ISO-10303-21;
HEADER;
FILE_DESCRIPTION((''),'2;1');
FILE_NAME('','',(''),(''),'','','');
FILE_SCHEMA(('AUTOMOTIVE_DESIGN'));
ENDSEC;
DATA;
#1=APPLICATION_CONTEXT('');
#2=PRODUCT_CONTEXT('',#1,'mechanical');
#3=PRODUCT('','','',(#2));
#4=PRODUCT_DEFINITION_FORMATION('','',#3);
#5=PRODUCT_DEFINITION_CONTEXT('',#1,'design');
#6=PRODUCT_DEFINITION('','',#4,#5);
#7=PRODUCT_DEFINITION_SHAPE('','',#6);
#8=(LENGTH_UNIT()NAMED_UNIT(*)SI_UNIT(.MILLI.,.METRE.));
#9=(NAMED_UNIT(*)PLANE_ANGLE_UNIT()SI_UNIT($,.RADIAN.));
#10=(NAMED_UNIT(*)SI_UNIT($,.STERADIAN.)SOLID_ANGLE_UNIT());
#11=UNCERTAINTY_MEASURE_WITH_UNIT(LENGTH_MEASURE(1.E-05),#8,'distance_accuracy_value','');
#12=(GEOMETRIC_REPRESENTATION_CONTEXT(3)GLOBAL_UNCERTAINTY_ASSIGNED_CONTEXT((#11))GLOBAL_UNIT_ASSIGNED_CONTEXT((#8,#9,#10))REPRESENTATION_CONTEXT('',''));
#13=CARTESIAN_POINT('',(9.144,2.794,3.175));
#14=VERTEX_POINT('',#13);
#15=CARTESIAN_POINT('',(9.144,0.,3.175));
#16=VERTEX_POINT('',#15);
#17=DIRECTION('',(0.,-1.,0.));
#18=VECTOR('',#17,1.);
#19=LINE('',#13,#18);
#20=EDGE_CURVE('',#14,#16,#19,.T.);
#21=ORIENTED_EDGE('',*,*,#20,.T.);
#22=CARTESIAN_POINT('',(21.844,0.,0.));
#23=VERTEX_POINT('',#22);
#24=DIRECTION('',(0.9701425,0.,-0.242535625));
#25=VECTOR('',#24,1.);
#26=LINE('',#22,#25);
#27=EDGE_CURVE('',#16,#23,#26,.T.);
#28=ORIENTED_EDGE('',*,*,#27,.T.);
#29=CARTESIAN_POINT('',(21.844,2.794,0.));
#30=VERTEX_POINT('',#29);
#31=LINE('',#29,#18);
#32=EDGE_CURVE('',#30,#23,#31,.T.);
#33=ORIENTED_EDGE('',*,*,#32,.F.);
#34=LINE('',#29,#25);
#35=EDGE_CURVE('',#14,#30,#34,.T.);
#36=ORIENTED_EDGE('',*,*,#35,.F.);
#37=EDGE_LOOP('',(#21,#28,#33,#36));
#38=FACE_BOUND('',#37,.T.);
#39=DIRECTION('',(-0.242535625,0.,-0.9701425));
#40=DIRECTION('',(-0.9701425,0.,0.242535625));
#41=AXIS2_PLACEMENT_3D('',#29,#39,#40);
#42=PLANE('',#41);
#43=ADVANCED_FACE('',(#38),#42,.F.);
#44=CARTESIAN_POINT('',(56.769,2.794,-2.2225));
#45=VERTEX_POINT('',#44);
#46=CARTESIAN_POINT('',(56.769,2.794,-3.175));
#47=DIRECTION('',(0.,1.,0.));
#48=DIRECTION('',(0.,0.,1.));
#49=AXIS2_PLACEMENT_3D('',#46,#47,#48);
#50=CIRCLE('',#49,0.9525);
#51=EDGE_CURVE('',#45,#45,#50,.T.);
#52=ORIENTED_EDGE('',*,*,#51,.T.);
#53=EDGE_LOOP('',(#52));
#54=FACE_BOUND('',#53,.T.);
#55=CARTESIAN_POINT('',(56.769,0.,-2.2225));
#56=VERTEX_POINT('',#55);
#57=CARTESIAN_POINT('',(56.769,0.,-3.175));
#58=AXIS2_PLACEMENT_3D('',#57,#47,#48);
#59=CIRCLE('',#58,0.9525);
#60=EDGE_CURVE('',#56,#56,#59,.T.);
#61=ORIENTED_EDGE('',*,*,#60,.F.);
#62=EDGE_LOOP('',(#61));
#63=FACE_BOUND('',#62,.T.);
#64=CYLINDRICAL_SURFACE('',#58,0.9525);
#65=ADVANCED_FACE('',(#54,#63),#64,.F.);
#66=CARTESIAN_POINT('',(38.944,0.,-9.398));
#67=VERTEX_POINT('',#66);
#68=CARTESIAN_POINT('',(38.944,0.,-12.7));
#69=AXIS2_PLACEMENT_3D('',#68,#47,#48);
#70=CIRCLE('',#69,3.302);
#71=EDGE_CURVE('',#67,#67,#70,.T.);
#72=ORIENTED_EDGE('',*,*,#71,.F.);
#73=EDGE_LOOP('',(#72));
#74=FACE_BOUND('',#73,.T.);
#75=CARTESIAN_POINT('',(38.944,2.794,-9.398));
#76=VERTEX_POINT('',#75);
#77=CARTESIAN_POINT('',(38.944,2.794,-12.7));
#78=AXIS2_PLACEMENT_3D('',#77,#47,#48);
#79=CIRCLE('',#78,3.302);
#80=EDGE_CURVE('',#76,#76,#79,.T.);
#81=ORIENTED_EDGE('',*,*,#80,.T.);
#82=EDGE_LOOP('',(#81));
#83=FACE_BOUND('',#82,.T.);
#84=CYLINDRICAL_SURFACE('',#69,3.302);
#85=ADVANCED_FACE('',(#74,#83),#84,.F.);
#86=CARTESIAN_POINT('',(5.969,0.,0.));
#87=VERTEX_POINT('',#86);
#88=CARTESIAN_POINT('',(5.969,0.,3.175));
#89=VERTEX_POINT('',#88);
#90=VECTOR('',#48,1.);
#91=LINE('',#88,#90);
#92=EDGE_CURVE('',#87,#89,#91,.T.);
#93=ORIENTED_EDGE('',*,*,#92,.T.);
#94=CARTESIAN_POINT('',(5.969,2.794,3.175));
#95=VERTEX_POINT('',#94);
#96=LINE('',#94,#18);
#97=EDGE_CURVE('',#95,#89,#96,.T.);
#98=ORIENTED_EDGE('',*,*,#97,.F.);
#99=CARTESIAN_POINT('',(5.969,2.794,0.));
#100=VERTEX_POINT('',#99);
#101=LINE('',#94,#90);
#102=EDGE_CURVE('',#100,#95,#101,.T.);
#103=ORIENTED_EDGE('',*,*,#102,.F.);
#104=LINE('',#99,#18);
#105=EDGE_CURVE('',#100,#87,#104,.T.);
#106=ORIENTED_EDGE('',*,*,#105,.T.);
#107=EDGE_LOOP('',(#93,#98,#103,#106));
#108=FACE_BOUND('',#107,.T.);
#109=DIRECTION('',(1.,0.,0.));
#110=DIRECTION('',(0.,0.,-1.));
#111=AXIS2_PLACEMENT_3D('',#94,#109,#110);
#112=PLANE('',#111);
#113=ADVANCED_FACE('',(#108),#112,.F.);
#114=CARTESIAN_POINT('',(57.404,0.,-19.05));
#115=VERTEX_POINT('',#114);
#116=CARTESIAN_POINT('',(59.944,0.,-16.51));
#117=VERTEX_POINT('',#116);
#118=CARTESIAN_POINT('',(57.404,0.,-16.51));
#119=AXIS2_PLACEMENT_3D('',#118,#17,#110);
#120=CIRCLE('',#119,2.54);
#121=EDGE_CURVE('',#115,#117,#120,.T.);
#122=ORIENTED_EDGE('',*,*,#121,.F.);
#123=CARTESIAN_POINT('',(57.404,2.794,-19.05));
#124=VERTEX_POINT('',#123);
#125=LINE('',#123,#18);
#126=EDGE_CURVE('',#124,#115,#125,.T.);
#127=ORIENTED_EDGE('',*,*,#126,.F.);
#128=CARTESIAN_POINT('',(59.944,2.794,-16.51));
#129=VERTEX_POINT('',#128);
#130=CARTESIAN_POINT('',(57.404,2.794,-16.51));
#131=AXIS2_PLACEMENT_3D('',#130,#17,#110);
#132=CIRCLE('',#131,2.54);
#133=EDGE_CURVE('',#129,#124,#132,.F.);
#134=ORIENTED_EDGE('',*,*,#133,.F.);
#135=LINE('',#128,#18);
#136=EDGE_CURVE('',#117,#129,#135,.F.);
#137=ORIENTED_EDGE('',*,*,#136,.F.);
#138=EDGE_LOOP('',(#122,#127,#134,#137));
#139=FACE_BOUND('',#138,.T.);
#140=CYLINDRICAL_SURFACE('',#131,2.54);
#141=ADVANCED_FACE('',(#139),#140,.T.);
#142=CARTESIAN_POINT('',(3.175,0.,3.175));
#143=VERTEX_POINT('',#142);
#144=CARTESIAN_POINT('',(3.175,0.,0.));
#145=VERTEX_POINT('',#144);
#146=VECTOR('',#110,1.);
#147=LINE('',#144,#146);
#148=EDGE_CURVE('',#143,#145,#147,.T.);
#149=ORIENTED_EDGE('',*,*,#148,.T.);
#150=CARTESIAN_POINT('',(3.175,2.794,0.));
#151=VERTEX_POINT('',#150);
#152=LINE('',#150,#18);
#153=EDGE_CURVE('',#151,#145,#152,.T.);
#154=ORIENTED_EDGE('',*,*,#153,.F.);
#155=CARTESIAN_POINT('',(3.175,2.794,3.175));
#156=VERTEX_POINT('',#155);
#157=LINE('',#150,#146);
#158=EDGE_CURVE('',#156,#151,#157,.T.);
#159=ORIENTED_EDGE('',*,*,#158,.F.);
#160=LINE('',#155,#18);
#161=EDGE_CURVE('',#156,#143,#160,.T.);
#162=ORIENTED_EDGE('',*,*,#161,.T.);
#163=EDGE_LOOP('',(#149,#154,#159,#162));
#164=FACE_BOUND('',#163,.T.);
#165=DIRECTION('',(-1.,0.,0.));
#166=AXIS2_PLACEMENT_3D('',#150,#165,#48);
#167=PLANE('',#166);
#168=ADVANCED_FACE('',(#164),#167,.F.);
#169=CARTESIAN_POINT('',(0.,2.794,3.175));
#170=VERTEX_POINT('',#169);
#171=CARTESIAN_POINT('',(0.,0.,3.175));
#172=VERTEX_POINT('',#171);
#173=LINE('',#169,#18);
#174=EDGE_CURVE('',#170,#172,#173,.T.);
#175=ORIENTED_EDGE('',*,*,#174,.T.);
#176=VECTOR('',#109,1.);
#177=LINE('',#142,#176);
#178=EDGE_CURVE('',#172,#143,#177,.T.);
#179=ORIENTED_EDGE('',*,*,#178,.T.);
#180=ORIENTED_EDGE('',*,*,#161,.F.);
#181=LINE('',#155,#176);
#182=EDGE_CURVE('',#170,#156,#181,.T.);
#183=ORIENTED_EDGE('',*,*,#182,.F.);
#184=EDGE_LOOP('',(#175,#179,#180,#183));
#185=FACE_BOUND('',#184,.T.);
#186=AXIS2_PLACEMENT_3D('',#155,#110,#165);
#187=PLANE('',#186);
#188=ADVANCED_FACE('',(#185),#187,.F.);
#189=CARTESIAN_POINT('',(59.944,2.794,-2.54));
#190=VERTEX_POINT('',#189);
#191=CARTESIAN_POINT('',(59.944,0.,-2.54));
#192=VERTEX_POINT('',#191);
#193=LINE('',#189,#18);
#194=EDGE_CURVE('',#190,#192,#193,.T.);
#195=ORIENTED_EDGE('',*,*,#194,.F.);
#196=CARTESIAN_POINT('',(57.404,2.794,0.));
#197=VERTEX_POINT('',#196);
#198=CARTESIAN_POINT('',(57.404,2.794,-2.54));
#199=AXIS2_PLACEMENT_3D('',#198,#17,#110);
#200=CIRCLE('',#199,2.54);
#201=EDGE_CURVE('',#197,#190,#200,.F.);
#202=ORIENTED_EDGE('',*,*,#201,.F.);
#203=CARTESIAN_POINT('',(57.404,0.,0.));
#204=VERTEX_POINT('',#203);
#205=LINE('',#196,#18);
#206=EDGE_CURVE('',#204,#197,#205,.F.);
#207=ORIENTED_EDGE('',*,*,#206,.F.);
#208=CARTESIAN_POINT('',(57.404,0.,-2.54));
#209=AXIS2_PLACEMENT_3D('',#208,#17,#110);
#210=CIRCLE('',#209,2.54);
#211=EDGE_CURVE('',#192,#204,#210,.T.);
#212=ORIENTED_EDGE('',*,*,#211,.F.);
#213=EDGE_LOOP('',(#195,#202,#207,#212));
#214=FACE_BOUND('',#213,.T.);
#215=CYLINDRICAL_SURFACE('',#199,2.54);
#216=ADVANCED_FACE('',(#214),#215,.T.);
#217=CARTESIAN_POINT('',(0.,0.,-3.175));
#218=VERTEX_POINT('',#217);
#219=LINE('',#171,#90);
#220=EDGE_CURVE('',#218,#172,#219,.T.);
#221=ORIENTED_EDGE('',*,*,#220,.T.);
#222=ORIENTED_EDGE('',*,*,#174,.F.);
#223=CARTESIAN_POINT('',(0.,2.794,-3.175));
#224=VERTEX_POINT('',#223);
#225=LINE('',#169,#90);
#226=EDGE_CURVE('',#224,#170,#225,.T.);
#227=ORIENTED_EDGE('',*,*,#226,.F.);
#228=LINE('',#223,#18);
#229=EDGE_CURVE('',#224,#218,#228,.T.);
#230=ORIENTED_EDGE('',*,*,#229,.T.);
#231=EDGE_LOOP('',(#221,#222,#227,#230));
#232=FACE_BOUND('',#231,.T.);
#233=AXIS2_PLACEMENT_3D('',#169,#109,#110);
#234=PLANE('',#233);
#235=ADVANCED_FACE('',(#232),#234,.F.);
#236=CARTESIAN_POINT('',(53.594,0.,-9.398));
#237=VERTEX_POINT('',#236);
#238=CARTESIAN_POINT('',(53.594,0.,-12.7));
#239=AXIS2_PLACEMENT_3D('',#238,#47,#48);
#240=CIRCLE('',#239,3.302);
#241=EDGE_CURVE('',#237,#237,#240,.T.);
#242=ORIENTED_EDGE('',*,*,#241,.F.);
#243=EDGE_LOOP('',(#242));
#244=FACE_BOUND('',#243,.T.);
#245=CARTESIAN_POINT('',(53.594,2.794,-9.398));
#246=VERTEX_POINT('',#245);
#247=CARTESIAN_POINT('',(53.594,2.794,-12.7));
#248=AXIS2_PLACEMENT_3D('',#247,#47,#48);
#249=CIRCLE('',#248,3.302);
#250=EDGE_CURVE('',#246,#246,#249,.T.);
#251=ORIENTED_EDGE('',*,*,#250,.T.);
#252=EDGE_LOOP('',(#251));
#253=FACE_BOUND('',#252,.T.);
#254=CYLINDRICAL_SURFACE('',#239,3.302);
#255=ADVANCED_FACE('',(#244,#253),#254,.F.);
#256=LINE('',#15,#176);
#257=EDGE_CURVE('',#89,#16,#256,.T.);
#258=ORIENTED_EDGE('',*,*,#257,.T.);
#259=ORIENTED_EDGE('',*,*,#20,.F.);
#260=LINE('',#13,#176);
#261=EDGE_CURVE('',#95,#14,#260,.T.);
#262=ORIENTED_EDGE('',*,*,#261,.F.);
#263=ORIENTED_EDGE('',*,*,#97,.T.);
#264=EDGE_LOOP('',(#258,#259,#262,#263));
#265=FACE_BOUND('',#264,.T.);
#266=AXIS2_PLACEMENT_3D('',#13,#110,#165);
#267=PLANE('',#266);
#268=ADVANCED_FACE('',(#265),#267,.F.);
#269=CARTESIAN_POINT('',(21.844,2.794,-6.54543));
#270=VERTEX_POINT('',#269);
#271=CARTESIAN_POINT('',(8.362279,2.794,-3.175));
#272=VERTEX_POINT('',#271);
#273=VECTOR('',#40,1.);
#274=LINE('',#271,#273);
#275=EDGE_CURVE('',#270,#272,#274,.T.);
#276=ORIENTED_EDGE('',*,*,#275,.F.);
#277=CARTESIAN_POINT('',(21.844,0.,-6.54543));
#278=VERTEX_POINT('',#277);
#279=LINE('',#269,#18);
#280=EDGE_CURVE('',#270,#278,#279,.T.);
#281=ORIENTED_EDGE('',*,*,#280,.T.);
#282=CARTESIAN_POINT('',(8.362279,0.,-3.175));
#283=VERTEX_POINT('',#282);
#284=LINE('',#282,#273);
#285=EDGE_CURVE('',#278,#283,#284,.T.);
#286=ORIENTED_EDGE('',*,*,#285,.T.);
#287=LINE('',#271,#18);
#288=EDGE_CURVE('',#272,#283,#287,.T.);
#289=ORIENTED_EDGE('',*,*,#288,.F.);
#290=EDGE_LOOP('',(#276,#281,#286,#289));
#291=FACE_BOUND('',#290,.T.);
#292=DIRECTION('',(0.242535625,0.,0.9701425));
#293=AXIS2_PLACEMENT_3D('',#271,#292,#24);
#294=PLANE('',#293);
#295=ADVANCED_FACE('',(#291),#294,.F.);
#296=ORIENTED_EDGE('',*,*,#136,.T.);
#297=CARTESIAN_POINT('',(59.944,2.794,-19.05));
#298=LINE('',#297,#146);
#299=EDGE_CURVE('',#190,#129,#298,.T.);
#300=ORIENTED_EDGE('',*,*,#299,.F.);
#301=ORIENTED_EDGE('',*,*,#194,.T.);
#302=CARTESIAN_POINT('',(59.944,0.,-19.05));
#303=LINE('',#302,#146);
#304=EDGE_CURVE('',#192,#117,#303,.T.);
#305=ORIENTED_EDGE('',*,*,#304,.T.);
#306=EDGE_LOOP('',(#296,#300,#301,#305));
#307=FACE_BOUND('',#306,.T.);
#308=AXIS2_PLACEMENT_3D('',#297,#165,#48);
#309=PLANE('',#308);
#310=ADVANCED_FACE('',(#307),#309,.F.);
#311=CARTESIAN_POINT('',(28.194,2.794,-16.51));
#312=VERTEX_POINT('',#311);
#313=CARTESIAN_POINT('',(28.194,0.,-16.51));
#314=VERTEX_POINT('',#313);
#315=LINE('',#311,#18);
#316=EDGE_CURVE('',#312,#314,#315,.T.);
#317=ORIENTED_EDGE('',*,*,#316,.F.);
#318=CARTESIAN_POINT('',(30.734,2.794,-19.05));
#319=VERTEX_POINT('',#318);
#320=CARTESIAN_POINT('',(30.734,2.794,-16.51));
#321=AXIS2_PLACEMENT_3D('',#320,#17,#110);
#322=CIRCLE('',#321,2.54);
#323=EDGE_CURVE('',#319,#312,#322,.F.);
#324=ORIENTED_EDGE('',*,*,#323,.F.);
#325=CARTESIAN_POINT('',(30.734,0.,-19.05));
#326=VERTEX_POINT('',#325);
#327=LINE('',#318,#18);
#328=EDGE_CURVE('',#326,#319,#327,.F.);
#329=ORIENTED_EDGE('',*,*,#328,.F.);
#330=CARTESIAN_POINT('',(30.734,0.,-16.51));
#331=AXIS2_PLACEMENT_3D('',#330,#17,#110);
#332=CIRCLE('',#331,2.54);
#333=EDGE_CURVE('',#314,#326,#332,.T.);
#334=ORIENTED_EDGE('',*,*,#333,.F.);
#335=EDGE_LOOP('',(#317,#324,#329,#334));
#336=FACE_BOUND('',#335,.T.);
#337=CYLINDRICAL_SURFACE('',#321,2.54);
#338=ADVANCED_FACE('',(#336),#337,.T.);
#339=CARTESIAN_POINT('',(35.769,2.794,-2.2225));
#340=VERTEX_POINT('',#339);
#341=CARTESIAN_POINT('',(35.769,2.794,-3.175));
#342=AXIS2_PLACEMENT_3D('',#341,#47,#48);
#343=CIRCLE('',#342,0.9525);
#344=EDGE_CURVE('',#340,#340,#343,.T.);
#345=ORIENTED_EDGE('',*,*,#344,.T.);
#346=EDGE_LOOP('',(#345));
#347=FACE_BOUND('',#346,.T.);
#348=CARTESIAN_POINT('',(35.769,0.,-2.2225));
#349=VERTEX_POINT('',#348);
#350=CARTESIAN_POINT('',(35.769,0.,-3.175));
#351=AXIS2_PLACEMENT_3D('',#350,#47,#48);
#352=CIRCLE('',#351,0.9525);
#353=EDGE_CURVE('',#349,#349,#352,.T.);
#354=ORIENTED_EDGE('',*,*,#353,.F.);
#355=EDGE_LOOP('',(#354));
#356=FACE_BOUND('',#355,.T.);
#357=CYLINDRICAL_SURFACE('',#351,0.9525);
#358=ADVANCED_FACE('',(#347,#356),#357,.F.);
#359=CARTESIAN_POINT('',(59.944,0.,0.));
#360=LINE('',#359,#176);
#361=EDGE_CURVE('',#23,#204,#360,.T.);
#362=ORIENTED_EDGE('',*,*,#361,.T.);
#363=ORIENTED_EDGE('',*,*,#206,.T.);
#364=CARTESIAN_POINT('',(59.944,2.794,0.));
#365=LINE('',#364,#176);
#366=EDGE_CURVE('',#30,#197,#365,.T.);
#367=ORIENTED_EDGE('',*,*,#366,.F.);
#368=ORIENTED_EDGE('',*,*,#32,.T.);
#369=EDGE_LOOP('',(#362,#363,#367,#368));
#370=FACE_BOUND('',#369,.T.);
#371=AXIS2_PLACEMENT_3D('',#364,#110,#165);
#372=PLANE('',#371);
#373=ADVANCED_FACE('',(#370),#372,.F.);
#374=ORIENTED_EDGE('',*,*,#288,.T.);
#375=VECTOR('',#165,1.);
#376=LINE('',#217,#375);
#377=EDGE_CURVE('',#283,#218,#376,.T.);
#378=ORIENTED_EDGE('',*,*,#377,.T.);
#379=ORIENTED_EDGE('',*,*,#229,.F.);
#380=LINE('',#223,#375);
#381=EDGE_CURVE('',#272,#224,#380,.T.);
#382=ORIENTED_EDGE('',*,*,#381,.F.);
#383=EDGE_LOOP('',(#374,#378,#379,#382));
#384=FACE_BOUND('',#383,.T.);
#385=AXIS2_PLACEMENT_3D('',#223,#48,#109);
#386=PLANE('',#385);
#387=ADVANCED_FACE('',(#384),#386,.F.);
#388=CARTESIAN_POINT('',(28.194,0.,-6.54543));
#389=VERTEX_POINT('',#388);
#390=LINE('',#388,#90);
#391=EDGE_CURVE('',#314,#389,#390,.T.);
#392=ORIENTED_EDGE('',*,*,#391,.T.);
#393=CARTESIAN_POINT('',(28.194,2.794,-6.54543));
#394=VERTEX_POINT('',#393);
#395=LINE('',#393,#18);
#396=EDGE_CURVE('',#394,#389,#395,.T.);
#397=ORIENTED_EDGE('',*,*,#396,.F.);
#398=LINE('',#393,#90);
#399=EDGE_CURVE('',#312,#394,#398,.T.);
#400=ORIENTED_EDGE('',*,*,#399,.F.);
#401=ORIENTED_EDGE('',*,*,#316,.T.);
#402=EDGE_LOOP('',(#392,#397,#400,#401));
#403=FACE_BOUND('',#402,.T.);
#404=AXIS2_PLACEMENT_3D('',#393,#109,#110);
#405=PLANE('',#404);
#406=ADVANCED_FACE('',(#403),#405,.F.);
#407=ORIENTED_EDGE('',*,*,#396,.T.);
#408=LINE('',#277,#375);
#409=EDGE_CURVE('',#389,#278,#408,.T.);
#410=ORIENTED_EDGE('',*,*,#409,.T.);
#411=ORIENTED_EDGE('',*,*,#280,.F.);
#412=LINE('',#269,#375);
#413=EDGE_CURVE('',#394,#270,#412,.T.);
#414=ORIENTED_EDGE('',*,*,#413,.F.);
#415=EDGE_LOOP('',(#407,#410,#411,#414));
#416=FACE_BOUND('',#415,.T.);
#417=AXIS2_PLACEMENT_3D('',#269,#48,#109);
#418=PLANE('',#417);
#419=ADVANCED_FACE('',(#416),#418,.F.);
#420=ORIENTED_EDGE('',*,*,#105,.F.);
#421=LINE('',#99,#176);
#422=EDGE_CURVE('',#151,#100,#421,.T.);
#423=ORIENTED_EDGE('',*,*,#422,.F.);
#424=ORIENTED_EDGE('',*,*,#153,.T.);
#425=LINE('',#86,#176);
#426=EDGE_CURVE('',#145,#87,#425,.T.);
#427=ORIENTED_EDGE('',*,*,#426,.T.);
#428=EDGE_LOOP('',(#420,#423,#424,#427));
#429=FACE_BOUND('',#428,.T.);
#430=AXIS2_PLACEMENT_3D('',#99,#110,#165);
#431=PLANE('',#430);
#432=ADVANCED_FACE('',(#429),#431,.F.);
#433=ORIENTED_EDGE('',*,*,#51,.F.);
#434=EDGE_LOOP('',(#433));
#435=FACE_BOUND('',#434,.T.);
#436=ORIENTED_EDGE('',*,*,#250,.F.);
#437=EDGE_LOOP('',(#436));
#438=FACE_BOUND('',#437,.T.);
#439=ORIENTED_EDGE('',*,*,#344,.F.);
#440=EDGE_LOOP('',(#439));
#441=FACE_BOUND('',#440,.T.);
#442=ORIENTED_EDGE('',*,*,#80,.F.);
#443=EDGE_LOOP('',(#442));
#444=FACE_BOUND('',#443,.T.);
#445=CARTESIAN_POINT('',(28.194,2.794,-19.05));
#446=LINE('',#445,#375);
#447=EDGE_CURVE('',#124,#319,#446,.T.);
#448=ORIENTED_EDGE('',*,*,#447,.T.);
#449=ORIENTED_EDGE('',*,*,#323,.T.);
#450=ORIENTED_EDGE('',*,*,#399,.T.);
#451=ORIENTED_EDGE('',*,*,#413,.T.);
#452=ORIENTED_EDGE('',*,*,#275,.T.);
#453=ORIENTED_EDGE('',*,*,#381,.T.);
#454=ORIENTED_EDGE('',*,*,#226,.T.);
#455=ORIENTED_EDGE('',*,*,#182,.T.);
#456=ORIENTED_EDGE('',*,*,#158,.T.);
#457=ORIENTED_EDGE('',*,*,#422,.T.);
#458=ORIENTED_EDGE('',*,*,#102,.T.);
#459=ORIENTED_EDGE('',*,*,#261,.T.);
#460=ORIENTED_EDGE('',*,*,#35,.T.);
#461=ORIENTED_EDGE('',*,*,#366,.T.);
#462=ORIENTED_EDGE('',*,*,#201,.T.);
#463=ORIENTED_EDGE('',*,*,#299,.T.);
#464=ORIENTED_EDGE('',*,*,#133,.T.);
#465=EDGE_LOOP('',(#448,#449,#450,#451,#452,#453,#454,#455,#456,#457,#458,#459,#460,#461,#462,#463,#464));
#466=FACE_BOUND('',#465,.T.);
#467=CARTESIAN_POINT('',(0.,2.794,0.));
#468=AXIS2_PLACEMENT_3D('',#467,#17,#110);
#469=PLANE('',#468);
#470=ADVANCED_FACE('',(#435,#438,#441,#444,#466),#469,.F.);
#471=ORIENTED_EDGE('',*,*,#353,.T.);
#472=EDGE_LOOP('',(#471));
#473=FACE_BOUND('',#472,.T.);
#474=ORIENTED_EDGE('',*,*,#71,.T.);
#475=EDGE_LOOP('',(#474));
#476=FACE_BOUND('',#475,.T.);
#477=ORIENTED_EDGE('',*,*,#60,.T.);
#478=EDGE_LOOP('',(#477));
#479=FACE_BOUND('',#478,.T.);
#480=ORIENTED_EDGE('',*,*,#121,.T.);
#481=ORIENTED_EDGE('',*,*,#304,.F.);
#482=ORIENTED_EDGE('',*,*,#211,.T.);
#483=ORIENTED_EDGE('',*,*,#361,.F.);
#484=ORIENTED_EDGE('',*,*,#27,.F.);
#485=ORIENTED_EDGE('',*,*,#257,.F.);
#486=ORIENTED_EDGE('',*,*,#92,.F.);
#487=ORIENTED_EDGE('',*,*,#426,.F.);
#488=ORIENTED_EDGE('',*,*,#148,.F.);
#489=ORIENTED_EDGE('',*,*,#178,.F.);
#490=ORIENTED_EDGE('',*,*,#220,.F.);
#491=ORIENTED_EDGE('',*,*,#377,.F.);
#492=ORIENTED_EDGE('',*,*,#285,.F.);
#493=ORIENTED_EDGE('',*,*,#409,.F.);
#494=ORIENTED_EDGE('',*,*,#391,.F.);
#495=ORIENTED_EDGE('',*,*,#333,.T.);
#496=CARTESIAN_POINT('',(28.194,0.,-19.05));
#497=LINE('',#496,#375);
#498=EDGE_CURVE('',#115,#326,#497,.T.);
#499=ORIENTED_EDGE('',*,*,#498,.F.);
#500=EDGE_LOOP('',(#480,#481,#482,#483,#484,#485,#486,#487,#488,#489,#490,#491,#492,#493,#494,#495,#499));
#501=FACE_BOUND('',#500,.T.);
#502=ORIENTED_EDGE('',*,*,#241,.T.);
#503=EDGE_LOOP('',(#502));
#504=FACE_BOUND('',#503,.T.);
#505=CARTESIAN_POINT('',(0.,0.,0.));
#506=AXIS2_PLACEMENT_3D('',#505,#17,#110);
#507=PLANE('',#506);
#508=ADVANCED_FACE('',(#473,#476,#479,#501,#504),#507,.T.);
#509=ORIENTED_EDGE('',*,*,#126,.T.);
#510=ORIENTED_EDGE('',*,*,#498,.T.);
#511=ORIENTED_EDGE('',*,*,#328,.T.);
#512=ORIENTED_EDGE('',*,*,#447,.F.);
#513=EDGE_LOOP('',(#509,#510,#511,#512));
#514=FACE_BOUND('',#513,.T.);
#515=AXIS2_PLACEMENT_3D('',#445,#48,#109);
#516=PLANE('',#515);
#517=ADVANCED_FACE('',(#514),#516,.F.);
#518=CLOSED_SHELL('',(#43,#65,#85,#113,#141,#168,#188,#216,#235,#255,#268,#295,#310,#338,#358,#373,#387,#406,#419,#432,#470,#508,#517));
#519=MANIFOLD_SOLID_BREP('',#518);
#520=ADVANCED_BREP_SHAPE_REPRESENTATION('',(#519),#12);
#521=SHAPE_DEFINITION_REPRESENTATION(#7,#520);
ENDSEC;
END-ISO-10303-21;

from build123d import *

# Parameters (mm, degrees)
BOSS_EXTRUDE1_DEPTH = 2.794
SKETCH2_R           = 0.9525
SKETCH2_R_2         = 3.302
CUT_EXTRUDE1_DEPTH  = 63.960241994
FILLET2_R           = 2.54


with BuildPart() as part:
    # Sketch1 → Boss-Extrude1 (new body)
    with BuildSketch(Plane(origin=(0, 0, 0), x_dir=(1, 0, 0), z_dir=(0, 1, 0))):
        Polygon((59.944, 0), (21.844, 0), (9.144, -3.175), (5.969, -3.175), (5.969, 0), (3.175, 0), (3.175, -3.175), (0, -3.175), (0, 3.175), (8.362279277, 3.175), (21.844, 6.545430181), (28.194, 6.545430181), (28.194, 19.05), (59.944, 19.05), align=None)
    extrude(amount=BOSS_EXTRUDE1_DEPTH)

    # Sketch2 → Cut-Extrude1 (cut, through all)
    with BuildSketch(Plane(origin=(0, 2.794, 0), x_dir=(1, 0, 0), z_dir=(0, 1, 0))):
        with Locations((56.769, 3.175)):
            Circle(SKETCH2_R)
        with Locations((35.769, 3.175)):
            Circle(SKETCH2_R)
        with Locations((53.594, 12.7)):
            Circle(SKETCH2_R_2)
        with Locations((38.944, 12.7)):
            Circle(SKETCH2_R_2)
    extrude(amount=-CUT_EXTRUDE1_DEPTH, mode=Mode.SUBTRACT)

    # Fillet2
    fillet2_edges = [part.edges().sort_by_distance(p)[0] for p in [
        (59.944, 1.397, 0),
        (59.944, 1.397, -19.05),
        (28.194, 1.397, -19.05),
    ]]
    fillet(fillet2_edges, radius=FILLET2_R)


solid = part.part
